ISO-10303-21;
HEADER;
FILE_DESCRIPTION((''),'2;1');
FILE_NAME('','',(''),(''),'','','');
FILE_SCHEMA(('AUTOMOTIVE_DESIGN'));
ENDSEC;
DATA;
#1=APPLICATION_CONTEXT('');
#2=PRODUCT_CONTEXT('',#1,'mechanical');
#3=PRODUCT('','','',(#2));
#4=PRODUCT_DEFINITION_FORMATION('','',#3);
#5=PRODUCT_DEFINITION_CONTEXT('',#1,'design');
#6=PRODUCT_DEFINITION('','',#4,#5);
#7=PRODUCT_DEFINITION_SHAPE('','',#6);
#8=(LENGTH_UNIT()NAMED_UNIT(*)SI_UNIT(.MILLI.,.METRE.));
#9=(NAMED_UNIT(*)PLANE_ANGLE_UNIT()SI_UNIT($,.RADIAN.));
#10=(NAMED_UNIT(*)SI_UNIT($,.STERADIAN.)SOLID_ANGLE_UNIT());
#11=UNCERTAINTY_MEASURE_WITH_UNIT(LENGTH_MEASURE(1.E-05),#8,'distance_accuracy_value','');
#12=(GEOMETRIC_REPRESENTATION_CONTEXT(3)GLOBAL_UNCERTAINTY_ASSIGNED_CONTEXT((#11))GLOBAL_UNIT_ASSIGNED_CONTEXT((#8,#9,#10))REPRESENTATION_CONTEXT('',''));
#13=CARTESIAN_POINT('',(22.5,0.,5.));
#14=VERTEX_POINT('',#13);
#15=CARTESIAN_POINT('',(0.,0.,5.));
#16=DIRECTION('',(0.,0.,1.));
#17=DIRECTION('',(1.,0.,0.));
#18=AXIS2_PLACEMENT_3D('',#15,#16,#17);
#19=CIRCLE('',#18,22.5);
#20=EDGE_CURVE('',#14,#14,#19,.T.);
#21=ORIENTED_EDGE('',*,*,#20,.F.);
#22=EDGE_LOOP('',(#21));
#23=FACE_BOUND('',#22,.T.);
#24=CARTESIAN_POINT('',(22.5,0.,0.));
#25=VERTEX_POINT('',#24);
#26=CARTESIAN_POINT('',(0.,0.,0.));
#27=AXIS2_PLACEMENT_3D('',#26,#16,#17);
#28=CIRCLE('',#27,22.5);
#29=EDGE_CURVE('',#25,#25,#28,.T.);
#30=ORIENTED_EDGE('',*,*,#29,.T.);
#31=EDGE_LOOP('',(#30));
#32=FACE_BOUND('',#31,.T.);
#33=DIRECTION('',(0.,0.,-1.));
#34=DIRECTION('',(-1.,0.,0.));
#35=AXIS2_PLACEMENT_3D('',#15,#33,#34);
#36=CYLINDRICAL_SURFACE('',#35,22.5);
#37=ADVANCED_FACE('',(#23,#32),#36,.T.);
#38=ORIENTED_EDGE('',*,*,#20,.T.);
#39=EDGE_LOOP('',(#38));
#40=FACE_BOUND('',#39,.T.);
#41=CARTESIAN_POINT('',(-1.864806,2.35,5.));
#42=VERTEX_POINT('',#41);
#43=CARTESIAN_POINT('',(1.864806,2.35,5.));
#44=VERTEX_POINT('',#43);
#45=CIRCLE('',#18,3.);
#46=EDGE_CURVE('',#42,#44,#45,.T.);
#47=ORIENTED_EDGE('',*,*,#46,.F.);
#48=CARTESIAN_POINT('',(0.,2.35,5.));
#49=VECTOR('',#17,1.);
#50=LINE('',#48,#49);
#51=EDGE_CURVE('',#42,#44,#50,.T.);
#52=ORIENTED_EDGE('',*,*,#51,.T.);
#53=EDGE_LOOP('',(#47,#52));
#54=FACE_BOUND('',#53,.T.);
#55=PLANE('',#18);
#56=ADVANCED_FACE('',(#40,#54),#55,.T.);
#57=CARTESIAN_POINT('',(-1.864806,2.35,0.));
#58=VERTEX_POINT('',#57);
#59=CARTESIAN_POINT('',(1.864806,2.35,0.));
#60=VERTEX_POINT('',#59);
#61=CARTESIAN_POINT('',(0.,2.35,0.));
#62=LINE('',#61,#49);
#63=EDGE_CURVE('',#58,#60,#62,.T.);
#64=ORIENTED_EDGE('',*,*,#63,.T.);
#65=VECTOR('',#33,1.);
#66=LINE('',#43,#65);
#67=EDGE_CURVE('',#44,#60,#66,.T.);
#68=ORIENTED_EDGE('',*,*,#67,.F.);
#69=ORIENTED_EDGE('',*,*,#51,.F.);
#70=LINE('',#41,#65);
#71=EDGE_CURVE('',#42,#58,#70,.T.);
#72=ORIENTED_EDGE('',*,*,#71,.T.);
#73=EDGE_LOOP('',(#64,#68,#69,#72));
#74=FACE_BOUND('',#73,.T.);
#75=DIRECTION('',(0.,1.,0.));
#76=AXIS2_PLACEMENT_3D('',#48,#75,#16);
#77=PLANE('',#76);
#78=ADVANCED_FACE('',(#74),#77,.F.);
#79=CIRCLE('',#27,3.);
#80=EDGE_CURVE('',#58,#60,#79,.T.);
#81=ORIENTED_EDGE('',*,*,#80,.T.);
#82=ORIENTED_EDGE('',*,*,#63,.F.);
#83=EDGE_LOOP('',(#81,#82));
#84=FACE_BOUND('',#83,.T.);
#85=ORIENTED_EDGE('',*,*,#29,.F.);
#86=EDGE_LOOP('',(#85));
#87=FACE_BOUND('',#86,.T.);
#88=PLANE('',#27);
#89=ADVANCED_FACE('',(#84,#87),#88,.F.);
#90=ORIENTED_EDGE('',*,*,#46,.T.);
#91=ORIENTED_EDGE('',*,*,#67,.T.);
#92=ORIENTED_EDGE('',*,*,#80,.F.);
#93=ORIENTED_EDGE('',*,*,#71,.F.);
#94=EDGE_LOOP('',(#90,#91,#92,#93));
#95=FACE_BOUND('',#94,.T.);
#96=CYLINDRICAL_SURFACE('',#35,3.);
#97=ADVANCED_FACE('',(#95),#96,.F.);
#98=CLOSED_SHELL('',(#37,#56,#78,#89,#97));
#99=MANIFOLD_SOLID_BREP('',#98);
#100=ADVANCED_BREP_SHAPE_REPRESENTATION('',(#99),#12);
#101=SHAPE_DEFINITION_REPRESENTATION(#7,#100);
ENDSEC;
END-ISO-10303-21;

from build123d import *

# Parameters (mm, degrees)
SKETCH1_R           = 22.5
BOSS_EXTRUDE1_DEPTH = 5


with BuildPart() as part:
    # Sketch1 → Boss-Extrude1 (new body)
    with BuildSketch(Plane.XY):
        Circle(SKETCH1_R)
        with BuildLine():
            Line((-1.86480562, 2.35), (1.86480562, 2.35))
            ThreePointArc((1.86480562, 2.35), (0, -3), (-1.86480562, 2.35))
        make_face(mode=Mode.SUBTRACT)
    extrude(amount=BOSS_EXTRUDE1_DEPTH)


solid = part.part
